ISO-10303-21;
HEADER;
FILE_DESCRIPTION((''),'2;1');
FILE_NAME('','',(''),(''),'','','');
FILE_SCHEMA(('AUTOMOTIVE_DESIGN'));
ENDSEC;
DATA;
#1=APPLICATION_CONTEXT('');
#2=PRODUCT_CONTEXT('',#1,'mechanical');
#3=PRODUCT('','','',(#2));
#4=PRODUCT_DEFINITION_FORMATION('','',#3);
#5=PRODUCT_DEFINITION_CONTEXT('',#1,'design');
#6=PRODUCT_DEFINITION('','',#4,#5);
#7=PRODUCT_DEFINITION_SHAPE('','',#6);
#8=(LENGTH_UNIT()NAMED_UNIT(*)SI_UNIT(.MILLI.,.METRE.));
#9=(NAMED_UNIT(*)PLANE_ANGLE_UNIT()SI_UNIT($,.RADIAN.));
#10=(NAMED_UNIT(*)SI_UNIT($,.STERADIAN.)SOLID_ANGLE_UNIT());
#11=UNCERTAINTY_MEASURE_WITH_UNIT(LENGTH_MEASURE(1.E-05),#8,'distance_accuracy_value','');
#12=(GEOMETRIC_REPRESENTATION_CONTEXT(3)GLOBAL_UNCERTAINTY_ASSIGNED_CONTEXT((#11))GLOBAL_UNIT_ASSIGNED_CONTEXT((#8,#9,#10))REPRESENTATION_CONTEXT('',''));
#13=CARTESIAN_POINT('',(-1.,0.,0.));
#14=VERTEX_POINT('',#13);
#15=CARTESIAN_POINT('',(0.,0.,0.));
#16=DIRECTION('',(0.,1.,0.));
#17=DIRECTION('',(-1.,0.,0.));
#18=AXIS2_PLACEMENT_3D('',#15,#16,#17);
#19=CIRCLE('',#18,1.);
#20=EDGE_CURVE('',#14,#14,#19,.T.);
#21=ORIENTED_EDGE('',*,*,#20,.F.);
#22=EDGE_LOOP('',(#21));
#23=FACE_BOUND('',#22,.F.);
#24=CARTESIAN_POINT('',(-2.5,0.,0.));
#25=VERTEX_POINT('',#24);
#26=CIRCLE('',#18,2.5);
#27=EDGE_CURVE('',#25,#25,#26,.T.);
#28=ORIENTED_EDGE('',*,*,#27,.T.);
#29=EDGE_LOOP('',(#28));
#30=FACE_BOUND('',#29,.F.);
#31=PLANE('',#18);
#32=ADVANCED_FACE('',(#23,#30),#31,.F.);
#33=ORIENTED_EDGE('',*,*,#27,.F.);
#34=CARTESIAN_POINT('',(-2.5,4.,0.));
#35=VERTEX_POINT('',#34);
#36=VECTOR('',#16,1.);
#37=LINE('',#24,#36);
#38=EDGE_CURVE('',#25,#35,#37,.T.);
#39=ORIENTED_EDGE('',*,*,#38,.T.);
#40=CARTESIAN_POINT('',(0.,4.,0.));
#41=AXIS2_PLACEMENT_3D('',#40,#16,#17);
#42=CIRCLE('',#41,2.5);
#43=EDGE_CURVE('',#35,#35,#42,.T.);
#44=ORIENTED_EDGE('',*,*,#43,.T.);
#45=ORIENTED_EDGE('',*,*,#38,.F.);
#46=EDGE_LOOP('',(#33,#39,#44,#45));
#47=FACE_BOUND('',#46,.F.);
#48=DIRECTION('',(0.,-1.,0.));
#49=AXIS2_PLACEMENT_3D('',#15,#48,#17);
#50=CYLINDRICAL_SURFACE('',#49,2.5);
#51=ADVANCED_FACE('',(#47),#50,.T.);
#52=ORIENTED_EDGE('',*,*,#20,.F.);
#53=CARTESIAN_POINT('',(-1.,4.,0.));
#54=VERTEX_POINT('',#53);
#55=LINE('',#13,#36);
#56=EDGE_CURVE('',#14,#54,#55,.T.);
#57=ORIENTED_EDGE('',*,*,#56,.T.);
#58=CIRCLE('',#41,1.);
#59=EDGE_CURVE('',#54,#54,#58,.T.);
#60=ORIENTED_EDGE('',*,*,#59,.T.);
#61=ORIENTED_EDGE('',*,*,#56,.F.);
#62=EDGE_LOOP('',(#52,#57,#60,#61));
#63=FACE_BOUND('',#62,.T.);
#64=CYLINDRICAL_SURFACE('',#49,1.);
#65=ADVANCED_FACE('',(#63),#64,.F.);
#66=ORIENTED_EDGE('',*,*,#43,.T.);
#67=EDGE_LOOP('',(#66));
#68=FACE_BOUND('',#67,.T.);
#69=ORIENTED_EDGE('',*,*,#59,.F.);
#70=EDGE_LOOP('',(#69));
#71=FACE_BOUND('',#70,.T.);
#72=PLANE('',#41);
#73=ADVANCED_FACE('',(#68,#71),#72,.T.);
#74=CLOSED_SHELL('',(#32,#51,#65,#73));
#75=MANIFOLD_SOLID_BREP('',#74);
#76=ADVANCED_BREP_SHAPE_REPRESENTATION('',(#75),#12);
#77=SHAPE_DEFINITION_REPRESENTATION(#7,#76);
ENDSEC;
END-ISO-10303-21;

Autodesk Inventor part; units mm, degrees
ref_plane "YZ Plane" through (0, 0, 0) normal (1, 0, 0) x (0, 1, 0)
ref_plane "XZ Plane" through (0, 0, 0) normal (0, 1, 0) x (-1, 0, 0)
ref_plane "XY Plane" through (0, 0, 0) normal (0, 0, 1) x (1, 0, 0)
sketch "Эскиз1" plane through (0, 0, 0) normal (0, 1, 0) x (-1, 0, 0)
  circle A0 centre (0, 0) radius 2.5
  circle A1 centre (0, 0) radius 1
  dimension "d0" = 5
  dimension "d1" = 2
extrude "Выдавливание1" add sketch "Эскиз1" along normal blind 4
properties part number "втулка_подш_каретка"
